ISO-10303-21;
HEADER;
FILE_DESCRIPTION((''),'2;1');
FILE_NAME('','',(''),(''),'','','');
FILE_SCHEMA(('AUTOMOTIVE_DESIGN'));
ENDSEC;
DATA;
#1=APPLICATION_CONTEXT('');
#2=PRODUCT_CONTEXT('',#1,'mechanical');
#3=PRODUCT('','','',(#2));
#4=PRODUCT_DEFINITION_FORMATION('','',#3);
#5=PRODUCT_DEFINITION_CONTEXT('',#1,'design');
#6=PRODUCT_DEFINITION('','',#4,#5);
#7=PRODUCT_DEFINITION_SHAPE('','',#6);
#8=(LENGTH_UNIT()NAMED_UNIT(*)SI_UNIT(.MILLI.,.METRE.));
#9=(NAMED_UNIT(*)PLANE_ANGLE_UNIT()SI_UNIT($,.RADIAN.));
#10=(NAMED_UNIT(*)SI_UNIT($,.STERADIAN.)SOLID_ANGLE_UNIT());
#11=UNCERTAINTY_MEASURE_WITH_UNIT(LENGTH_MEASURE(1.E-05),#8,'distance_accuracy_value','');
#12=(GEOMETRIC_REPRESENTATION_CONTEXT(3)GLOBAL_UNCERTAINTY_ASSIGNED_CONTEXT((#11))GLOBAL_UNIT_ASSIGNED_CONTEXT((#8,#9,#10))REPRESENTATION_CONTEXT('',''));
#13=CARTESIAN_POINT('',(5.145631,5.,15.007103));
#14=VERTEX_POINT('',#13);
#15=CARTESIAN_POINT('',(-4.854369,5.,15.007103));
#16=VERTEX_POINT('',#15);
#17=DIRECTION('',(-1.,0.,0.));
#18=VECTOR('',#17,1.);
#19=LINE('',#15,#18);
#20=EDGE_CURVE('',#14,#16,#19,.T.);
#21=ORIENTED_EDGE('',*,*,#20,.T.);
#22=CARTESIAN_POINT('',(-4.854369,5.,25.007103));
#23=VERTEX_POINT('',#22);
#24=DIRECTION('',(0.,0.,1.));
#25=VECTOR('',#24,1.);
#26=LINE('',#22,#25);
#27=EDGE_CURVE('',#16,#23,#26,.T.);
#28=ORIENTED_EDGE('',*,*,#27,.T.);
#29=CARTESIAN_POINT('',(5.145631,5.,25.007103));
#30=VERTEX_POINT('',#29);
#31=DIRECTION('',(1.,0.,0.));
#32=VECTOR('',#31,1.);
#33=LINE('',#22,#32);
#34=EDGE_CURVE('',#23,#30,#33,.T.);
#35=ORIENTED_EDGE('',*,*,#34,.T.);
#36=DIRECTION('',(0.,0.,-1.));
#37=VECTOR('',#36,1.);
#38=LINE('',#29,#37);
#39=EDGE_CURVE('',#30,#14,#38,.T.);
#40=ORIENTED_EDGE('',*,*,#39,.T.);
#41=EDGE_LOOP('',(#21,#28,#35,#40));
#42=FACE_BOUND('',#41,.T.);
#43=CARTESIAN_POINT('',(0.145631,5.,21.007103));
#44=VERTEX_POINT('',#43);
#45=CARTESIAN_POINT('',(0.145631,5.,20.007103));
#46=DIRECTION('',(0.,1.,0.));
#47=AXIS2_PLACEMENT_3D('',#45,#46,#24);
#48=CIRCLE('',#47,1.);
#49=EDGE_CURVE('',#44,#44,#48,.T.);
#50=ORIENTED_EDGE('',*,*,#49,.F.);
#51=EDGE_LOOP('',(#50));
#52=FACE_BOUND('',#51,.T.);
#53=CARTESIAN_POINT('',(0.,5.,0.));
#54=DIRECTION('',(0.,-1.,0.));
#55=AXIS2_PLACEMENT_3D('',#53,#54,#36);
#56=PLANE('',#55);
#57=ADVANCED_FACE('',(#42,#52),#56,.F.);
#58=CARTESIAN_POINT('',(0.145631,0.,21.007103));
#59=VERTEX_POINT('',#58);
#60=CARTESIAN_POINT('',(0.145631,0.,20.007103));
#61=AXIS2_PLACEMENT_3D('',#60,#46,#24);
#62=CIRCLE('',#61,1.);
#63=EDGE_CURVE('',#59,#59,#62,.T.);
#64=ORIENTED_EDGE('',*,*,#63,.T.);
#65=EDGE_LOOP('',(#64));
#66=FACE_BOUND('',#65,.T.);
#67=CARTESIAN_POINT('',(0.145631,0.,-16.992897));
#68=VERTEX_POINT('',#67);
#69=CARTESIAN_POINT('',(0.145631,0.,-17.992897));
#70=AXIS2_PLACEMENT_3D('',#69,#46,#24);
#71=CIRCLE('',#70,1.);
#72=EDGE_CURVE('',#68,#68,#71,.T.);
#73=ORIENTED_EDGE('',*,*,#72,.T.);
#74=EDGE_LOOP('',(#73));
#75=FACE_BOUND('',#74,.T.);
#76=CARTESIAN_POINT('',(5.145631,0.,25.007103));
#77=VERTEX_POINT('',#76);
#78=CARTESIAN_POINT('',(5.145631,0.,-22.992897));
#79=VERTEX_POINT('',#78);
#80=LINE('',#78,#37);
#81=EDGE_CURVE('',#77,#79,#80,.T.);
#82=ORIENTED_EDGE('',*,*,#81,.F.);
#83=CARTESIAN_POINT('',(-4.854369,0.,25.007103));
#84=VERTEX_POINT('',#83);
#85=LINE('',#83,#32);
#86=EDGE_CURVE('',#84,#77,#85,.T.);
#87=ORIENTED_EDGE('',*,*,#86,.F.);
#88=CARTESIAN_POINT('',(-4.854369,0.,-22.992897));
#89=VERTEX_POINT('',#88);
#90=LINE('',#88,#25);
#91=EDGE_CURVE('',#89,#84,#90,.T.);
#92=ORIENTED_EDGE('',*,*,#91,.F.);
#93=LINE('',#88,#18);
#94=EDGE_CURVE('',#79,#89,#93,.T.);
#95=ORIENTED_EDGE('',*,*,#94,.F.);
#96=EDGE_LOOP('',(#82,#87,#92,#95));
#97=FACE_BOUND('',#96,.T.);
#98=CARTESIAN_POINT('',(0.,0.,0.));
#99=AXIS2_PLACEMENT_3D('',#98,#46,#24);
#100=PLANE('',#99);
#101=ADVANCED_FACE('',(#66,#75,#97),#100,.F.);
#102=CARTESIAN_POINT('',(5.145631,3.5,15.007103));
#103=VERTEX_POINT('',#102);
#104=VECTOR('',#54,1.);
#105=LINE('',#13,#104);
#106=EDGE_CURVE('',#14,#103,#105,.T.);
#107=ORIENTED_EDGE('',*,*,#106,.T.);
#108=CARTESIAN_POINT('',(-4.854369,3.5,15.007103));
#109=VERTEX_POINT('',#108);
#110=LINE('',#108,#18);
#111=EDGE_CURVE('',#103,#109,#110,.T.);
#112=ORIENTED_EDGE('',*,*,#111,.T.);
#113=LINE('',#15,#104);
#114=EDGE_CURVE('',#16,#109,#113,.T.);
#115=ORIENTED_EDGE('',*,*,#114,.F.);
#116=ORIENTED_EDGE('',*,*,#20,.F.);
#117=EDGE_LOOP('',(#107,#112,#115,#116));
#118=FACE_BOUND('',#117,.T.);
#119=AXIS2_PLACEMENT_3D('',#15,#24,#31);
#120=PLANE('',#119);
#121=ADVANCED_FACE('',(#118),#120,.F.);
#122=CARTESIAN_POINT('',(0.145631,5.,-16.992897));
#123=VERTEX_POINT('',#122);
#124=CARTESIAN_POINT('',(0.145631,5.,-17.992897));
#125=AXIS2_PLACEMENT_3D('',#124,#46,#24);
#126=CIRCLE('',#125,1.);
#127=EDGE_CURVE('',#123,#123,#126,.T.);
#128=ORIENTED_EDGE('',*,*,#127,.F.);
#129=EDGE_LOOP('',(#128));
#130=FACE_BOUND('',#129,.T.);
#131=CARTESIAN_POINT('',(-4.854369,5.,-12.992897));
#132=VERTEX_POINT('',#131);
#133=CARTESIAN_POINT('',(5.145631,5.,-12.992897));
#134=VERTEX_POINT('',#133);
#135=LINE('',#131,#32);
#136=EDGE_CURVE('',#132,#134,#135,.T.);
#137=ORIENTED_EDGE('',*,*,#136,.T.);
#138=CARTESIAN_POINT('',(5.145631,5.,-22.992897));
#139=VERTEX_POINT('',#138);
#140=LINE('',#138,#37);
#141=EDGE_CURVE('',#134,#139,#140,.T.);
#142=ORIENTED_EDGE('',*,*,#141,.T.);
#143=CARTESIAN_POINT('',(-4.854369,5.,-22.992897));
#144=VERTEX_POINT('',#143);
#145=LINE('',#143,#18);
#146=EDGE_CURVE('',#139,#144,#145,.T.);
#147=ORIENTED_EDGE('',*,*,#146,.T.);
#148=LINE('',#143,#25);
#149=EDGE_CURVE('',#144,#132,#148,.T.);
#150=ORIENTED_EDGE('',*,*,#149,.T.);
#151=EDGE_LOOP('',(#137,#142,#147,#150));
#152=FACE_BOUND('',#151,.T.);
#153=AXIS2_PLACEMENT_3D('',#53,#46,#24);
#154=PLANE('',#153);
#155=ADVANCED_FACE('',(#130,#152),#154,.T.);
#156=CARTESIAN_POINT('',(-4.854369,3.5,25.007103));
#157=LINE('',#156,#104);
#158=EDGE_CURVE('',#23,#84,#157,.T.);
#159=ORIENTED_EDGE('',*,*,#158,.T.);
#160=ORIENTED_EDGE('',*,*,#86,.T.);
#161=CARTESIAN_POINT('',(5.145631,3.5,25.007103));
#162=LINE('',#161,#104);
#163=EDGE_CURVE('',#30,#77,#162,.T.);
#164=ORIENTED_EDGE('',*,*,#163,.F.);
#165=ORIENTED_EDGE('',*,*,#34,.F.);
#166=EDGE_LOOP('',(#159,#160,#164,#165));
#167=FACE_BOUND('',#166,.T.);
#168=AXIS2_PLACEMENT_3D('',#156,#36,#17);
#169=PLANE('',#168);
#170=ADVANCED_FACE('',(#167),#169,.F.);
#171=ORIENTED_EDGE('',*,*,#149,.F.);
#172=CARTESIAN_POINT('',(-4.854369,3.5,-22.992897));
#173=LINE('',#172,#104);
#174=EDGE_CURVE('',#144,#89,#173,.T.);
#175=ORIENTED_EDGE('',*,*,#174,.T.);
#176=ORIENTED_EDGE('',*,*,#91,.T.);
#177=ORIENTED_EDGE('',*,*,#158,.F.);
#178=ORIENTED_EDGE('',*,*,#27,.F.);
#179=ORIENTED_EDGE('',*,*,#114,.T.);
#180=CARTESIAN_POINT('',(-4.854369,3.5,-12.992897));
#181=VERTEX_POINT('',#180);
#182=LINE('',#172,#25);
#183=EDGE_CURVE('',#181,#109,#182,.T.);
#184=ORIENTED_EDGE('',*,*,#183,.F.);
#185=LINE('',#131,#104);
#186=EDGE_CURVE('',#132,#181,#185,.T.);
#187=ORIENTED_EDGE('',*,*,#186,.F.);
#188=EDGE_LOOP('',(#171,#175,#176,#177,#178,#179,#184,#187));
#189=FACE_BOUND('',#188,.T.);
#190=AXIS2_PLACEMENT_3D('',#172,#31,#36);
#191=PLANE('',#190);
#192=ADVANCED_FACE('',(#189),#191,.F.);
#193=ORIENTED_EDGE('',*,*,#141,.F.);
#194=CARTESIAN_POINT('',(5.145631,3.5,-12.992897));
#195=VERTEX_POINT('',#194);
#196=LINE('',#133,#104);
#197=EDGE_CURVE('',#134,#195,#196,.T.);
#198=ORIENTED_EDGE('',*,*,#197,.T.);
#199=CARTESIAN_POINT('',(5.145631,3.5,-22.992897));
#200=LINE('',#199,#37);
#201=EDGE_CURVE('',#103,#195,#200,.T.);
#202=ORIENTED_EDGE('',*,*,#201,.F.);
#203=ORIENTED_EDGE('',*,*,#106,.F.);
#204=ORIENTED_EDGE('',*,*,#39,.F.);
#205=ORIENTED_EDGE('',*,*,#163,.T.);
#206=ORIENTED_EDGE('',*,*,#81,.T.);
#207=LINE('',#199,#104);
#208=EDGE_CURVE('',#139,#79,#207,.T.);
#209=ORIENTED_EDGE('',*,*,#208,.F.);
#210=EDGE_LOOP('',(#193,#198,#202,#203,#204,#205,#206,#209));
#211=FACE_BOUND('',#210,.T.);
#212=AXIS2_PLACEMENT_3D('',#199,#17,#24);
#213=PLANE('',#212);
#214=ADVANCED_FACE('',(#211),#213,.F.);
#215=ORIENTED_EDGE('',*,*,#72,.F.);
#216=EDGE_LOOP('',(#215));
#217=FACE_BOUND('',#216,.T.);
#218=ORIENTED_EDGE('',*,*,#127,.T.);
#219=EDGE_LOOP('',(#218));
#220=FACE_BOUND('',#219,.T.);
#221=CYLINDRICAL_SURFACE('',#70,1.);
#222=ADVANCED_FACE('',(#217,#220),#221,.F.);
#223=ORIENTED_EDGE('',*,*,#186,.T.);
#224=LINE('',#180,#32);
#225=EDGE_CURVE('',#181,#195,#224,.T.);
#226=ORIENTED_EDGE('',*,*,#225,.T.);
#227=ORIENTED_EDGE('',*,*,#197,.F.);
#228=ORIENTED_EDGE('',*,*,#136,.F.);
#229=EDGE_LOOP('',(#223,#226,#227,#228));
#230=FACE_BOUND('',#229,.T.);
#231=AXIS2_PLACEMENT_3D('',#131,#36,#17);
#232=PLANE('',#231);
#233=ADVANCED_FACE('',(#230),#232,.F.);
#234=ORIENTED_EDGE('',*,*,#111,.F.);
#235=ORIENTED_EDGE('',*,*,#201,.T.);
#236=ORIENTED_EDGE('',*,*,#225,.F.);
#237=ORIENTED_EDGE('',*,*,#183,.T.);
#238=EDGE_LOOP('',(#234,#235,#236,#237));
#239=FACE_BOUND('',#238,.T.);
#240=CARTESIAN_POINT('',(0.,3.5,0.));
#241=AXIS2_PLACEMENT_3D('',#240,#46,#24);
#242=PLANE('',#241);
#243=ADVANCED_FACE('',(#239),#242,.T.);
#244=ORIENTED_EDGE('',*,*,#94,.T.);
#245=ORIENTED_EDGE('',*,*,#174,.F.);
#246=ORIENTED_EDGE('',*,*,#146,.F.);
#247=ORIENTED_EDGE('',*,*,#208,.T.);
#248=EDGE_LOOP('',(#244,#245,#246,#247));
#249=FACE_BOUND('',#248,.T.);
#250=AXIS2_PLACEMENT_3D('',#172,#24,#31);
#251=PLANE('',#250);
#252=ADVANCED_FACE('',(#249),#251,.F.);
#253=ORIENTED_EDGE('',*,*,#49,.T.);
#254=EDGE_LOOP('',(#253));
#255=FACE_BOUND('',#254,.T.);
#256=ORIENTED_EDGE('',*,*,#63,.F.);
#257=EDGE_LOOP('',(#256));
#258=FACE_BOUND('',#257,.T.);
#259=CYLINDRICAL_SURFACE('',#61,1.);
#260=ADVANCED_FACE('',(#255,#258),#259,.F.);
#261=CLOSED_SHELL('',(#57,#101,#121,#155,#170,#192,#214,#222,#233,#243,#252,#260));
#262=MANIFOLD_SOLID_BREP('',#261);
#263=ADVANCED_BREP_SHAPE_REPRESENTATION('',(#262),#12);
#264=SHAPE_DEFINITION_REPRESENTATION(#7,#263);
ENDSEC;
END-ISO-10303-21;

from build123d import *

# Parameters (mm, degrees)
SKETCH1_W           = 10
SKETCH1_H           = 48
BOSS_EXTRUDE1_DEPTH = 3.5
SKETCH2_W           = 10
SKETCH2_H           = 10
BOSS_EXTRUDE2_DEPTH = 1.5
SKETCH3_R           = 1
CUT_EXTRUDE1_DEPTH  = 5


with BuildPart() as part:
    # Sketch1 → Boss-Extrude1 (new body)
    with BuildSketch(Plane(origin=(0, 0, 0), x_dir=(1, 0, 0), z_dir=(0, 1, 0))):
        with Locations((0.145631068, -1.007103337)):
            Rectangle(SKETCH1_W, SKETCH1_H)
    extrude(amount=BOSS_EXTRUDE1_DEPTH)

    # Sketch2 → Boss-Extrude2 (add)
    with BuildSketch(Plane(origin=(0, 3.5, 0), x_dir=(1, 0, 0), z_dir=(0, 1, 0))):
        with Locations((0.145631068, 17.992896663)):
            Rectangle(SKETCH2_W, SKETCH2_H)
        with Locations((0.145631068, -20.007103337)):
            Rectangle(SKETCH2_W, SKETCH2_H)
    extrude(amount=BOSS_EXTRUDE2_DEPTH)

    # Sketch3 → Cut-Extrude1 (cut)
    with BuildSketch(Plane(origin=(0, 5, 0), x_dir=(1, 0, 0), z_dir=(0, 1, 0))):
        with Locations(Location((0.145631068, 17.992896663, 0), (0, 0, 270))):
            Circle(SKETCH3_R)
        with Locations(Location((0.145631068, -20.007103337, 0), (0, 0, 270))):
            Circle(SKETCH3_R)
    extrude(amount=-CUT_EXTRUDE1_DEPTH, mode=Mode.SUBTRACT)


solid = part.part
